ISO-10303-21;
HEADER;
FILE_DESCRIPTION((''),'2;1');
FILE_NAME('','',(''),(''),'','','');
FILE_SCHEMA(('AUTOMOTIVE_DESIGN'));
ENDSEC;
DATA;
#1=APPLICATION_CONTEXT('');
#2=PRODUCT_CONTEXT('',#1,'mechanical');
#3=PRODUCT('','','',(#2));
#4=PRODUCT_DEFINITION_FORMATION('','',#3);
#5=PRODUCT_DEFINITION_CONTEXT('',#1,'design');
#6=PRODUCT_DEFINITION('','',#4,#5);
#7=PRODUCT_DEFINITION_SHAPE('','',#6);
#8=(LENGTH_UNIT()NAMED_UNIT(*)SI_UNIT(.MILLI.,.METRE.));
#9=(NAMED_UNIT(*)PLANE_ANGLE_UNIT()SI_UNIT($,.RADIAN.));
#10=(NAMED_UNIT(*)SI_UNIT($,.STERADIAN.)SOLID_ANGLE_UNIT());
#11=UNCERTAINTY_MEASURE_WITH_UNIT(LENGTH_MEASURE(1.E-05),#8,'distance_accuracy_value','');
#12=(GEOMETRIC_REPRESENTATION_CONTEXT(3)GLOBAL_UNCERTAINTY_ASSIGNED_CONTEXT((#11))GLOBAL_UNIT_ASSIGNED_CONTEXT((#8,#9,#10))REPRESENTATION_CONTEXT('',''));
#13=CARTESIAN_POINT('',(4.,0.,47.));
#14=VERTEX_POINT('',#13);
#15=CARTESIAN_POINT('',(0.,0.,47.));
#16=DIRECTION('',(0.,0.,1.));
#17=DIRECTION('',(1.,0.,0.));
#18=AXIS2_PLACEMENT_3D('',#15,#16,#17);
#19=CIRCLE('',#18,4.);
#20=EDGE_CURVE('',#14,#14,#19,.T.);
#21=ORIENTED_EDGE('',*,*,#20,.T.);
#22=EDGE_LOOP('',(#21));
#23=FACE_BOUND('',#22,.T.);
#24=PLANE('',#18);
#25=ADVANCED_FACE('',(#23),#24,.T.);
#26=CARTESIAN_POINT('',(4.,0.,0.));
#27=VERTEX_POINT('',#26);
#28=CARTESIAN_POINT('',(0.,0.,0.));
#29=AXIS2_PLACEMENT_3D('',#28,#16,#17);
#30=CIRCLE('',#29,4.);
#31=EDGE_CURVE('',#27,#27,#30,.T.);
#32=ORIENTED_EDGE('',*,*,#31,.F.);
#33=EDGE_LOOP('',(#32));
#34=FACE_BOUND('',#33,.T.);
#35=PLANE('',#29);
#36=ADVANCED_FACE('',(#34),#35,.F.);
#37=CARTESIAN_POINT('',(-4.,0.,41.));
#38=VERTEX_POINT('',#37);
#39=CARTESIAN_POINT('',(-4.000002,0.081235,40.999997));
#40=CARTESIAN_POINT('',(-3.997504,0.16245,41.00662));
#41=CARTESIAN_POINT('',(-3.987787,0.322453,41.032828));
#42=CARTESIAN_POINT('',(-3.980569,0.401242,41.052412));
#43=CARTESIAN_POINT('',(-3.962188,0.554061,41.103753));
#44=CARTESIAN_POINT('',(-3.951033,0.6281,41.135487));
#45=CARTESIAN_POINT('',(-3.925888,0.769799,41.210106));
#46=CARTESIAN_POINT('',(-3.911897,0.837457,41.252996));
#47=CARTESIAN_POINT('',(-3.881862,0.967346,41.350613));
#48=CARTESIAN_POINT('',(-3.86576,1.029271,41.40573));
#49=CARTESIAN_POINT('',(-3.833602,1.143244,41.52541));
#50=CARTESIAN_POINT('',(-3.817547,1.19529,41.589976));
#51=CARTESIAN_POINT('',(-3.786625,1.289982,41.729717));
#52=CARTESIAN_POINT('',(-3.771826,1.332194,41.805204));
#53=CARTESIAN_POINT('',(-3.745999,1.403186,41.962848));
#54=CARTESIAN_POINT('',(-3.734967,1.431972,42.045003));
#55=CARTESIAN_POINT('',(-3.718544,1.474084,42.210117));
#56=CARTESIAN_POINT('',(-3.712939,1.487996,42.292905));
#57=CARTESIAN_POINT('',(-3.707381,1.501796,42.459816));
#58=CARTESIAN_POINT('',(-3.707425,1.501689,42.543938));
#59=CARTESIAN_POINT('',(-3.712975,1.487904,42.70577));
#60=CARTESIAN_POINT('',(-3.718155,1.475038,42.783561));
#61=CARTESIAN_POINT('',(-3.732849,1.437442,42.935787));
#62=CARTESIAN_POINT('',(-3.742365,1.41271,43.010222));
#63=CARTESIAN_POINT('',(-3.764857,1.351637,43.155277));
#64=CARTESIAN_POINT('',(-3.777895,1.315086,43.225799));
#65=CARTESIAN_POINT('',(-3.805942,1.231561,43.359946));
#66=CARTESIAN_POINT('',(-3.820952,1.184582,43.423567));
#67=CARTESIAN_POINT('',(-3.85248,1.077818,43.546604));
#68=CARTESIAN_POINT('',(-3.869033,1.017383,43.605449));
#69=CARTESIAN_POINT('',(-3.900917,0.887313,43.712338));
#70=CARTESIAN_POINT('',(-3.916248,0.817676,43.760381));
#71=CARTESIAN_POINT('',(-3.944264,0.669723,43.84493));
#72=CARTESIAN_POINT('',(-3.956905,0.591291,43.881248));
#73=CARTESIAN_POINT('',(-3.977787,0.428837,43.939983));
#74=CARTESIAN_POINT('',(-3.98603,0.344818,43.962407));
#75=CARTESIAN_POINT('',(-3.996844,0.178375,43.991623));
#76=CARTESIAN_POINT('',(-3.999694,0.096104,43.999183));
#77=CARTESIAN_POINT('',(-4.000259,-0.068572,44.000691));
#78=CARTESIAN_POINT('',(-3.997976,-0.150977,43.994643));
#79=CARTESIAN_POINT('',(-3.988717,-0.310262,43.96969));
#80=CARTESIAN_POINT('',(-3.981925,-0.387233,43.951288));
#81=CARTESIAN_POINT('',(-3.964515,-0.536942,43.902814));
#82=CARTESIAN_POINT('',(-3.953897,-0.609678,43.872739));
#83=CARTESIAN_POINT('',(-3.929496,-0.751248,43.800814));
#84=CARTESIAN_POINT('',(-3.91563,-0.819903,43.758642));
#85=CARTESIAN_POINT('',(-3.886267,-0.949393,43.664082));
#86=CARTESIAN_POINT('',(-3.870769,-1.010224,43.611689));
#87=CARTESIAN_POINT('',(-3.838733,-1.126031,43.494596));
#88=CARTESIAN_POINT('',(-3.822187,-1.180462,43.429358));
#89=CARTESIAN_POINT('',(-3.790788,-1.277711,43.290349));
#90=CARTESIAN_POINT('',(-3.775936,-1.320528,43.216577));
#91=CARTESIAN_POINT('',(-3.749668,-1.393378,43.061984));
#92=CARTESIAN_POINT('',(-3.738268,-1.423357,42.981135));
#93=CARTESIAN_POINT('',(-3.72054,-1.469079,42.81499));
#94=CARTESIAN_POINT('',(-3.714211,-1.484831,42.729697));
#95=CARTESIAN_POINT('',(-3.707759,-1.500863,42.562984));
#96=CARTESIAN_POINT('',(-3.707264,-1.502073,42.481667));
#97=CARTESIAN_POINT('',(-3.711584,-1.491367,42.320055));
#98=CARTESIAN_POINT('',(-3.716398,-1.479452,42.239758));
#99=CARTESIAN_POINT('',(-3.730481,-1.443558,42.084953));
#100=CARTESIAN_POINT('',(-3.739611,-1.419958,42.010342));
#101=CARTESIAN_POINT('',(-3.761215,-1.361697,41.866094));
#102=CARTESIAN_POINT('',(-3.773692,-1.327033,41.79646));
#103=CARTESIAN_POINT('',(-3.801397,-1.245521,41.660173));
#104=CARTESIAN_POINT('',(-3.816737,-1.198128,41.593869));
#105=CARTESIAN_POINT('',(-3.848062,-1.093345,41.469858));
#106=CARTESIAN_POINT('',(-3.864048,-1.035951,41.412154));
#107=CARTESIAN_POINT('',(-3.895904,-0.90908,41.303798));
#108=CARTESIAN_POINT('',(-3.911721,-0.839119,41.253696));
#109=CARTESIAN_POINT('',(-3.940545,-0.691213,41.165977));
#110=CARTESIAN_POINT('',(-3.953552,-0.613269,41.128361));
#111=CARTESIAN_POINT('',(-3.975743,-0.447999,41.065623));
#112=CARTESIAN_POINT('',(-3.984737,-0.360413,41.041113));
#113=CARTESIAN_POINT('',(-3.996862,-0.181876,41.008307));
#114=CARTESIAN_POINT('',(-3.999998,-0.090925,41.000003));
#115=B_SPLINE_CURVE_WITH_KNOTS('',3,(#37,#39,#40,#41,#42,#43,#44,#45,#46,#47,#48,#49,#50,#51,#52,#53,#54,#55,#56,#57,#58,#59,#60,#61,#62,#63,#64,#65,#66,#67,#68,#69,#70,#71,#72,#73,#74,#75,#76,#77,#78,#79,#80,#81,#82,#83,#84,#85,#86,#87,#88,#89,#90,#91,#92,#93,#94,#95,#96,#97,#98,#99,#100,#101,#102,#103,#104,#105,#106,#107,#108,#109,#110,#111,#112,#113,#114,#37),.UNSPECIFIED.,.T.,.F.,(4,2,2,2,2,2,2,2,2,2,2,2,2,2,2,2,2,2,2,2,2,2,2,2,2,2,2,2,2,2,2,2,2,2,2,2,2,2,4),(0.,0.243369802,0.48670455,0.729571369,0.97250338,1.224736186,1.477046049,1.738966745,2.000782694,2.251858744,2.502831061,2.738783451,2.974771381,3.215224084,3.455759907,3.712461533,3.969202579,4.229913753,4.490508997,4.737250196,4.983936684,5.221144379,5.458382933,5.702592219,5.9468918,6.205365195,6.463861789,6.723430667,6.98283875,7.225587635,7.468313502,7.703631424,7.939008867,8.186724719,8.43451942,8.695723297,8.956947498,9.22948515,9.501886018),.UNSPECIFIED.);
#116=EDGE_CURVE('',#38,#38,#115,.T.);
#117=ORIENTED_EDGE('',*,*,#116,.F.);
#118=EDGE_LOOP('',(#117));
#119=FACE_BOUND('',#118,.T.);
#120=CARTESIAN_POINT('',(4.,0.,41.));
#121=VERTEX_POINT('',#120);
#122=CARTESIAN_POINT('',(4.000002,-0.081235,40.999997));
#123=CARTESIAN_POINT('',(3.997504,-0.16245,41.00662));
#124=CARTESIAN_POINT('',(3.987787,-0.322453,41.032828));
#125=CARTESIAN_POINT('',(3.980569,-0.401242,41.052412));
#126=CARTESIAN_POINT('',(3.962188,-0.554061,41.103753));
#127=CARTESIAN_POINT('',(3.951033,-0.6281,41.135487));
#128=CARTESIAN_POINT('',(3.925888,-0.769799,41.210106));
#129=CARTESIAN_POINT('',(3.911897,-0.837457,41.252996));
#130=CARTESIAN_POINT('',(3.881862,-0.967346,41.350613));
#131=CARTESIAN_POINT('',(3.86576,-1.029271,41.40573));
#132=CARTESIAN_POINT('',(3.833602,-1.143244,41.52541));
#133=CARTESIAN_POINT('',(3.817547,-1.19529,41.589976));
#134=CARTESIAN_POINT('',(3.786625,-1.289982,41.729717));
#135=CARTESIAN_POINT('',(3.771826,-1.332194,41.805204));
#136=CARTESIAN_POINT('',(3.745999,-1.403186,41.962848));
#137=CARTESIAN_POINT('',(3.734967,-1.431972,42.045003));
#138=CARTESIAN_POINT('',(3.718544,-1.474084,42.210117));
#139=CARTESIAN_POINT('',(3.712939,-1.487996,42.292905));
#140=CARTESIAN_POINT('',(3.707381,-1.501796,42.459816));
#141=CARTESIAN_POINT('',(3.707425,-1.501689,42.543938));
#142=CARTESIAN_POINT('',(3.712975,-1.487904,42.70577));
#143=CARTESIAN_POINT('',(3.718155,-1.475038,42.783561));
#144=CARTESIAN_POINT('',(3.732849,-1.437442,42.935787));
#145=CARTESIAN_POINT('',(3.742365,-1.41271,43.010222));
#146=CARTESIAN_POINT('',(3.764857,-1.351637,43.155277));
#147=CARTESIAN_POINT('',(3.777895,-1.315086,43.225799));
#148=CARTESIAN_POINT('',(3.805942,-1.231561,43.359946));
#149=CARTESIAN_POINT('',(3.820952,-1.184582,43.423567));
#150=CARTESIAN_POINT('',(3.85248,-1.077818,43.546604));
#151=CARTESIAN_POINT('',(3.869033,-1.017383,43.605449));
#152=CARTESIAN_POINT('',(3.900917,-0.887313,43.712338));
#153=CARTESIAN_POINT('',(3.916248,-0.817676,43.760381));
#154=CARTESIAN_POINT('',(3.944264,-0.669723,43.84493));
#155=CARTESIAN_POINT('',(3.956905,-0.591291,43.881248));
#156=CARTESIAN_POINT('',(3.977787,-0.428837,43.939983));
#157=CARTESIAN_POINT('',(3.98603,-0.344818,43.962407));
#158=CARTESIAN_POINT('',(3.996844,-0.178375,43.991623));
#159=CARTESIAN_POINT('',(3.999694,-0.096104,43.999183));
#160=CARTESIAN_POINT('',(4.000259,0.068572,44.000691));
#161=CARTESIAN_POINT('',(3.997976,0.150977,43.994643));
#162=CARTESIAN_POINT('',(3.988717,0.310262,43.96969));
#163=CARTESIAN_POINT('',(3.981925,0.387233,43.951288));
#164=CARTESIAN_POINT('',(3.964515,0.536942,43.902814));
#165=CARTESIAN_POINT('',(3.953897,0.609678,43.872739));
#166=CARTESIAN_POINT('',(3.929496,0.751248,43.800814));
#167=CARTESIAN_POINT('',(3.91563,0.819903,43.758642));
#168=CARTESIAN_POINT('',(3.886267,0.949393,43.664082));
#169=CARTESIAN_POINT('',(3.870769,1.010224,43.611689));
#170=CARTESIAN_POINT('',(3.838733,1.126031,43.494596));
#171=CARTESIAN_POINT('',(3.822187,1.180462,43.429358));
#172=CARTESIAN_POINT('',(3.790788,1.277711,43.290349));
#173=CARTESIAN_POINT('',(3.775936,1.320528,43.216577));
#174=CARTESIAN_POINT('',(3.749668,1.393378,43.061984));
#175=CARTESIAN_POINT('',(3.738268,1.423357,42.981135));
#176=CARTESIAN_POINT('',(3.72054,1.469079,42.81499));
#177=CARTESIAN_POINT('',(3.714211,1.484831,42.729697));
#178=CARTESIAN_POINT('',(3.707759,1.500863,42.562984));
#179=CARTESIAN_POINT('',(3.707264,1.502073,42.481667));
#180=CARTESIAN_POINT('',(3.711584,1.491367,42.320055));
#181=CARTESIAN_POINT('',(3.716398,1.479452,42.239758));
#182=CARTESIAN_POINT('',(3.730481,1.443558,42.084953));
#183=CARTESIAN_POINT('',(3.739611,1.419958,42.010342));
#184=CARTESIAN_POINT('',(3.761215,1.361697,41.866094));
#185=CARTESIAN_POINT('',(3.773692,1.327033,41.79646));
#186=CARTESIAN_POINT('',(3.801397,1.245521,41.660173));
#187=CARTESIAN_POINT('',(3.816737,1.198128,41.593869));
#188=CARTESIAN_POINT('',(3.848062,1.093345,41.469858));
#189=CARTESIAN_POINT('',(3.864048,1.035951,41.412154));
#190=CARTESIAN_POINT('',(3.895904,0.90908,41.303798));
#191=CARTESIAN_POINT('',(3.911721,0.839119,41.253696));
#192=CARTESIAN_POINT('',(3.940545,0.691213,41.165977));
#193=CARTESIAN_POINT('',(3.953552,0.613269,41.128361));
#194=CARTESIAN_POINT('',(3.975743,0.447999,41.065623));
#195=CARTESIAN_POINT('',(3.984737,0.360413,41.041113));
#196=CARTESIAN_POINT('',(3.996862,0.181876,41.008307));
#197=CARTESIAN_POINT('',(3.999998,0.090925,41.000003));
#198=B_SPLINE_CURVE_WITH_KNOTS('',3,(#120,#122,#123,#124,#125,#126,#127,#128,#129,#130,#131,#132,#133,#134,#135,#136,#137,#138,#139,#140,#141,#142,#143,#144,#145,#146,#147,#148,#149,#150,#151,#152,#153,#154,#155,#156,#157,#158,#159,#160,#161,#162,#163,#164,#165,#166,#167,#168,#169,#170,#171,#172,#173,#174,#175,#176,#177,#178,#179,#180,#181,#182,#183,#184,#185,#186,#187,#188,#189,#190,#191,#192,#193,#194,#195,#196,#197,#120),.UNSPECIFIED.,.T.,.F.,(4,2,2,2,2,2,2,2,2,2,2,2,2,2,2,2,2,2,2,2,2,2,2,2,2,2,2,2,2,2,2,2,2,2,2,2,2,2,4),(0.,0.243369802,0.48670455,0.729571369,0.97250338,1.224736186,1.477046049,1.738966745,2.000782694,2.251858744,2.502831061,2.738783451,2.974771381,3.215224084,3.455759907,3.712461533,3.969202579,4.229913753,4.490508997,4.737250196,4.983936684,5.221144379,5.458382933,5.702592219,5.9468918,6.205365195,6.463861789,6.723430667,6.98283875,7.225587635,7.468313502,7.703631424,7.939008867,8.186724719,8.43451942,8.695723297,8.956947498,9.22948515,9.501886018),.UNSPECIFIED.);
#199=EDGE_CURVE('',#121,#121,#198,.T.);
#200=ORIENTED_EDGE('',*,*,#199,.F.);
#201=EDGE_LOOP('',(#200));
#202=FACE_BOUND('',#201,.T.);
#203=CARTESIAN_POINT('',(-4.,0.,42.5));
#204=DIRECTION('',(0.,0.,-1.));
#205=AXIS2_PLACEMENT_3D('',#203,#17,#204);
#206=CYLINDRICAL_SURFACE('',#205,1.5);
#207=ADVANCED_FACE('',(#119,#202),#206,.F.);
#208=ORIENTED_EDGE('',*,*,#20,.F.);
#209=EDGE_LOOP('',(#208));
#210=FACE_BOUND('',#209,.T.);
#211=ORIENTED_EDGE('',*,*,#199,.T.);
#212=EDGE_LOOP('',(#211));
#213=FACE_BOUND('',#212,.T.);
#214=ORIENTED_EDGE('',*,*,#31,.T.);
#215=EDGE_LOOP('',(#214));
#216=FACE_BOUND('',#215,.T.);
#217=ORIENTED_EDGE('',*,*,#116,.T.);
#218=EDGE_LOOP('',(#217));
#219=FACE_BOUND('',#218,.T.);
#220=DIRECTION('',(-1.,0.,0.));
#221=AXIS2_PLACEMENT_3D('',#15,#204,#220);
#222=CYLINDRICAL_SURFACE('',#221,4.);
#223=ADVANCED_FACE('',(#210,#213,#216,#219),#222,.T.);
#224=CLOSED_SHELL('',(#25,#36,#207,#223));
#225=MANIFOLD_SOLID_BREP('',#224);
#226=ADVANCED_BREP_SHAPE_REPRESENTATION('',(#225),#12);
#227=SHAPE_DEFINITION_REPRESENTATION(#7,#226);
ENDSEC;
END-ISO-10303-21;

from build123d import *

# Parameters (mm, degrees)
SKETCH1_R           = 4
BOSS_EXTRUDE1_DEPTH = 47
SKETCH2_R           = 1.5
CUT_EXTRUDE1_DEPTH  = 48.843494856


with BuildPart() as part:
    # Sketch1 → Boss-Extrude1 (new body)
    with BuildSketch(Plane.XY):
        Circle(SKETCH1_R)
    extrude(amount=BOSS_EXTRUDE1_DEPTH)

    # Sketch2 → Cut-Extrude1 (cut, through all)
    with BuildSketch(Plane(origin=(4, 0, 0), x_dir=(0, 0, -1), z_dir=(1, 0, 0))):
        with Locations((-42.5, 0)):
            Circle(SKETCH2_R)
    extrude(amount=-CUT_EXTRUDE1_DEPTH, mode=Mode.SUBTRACT)


solid = part.part
